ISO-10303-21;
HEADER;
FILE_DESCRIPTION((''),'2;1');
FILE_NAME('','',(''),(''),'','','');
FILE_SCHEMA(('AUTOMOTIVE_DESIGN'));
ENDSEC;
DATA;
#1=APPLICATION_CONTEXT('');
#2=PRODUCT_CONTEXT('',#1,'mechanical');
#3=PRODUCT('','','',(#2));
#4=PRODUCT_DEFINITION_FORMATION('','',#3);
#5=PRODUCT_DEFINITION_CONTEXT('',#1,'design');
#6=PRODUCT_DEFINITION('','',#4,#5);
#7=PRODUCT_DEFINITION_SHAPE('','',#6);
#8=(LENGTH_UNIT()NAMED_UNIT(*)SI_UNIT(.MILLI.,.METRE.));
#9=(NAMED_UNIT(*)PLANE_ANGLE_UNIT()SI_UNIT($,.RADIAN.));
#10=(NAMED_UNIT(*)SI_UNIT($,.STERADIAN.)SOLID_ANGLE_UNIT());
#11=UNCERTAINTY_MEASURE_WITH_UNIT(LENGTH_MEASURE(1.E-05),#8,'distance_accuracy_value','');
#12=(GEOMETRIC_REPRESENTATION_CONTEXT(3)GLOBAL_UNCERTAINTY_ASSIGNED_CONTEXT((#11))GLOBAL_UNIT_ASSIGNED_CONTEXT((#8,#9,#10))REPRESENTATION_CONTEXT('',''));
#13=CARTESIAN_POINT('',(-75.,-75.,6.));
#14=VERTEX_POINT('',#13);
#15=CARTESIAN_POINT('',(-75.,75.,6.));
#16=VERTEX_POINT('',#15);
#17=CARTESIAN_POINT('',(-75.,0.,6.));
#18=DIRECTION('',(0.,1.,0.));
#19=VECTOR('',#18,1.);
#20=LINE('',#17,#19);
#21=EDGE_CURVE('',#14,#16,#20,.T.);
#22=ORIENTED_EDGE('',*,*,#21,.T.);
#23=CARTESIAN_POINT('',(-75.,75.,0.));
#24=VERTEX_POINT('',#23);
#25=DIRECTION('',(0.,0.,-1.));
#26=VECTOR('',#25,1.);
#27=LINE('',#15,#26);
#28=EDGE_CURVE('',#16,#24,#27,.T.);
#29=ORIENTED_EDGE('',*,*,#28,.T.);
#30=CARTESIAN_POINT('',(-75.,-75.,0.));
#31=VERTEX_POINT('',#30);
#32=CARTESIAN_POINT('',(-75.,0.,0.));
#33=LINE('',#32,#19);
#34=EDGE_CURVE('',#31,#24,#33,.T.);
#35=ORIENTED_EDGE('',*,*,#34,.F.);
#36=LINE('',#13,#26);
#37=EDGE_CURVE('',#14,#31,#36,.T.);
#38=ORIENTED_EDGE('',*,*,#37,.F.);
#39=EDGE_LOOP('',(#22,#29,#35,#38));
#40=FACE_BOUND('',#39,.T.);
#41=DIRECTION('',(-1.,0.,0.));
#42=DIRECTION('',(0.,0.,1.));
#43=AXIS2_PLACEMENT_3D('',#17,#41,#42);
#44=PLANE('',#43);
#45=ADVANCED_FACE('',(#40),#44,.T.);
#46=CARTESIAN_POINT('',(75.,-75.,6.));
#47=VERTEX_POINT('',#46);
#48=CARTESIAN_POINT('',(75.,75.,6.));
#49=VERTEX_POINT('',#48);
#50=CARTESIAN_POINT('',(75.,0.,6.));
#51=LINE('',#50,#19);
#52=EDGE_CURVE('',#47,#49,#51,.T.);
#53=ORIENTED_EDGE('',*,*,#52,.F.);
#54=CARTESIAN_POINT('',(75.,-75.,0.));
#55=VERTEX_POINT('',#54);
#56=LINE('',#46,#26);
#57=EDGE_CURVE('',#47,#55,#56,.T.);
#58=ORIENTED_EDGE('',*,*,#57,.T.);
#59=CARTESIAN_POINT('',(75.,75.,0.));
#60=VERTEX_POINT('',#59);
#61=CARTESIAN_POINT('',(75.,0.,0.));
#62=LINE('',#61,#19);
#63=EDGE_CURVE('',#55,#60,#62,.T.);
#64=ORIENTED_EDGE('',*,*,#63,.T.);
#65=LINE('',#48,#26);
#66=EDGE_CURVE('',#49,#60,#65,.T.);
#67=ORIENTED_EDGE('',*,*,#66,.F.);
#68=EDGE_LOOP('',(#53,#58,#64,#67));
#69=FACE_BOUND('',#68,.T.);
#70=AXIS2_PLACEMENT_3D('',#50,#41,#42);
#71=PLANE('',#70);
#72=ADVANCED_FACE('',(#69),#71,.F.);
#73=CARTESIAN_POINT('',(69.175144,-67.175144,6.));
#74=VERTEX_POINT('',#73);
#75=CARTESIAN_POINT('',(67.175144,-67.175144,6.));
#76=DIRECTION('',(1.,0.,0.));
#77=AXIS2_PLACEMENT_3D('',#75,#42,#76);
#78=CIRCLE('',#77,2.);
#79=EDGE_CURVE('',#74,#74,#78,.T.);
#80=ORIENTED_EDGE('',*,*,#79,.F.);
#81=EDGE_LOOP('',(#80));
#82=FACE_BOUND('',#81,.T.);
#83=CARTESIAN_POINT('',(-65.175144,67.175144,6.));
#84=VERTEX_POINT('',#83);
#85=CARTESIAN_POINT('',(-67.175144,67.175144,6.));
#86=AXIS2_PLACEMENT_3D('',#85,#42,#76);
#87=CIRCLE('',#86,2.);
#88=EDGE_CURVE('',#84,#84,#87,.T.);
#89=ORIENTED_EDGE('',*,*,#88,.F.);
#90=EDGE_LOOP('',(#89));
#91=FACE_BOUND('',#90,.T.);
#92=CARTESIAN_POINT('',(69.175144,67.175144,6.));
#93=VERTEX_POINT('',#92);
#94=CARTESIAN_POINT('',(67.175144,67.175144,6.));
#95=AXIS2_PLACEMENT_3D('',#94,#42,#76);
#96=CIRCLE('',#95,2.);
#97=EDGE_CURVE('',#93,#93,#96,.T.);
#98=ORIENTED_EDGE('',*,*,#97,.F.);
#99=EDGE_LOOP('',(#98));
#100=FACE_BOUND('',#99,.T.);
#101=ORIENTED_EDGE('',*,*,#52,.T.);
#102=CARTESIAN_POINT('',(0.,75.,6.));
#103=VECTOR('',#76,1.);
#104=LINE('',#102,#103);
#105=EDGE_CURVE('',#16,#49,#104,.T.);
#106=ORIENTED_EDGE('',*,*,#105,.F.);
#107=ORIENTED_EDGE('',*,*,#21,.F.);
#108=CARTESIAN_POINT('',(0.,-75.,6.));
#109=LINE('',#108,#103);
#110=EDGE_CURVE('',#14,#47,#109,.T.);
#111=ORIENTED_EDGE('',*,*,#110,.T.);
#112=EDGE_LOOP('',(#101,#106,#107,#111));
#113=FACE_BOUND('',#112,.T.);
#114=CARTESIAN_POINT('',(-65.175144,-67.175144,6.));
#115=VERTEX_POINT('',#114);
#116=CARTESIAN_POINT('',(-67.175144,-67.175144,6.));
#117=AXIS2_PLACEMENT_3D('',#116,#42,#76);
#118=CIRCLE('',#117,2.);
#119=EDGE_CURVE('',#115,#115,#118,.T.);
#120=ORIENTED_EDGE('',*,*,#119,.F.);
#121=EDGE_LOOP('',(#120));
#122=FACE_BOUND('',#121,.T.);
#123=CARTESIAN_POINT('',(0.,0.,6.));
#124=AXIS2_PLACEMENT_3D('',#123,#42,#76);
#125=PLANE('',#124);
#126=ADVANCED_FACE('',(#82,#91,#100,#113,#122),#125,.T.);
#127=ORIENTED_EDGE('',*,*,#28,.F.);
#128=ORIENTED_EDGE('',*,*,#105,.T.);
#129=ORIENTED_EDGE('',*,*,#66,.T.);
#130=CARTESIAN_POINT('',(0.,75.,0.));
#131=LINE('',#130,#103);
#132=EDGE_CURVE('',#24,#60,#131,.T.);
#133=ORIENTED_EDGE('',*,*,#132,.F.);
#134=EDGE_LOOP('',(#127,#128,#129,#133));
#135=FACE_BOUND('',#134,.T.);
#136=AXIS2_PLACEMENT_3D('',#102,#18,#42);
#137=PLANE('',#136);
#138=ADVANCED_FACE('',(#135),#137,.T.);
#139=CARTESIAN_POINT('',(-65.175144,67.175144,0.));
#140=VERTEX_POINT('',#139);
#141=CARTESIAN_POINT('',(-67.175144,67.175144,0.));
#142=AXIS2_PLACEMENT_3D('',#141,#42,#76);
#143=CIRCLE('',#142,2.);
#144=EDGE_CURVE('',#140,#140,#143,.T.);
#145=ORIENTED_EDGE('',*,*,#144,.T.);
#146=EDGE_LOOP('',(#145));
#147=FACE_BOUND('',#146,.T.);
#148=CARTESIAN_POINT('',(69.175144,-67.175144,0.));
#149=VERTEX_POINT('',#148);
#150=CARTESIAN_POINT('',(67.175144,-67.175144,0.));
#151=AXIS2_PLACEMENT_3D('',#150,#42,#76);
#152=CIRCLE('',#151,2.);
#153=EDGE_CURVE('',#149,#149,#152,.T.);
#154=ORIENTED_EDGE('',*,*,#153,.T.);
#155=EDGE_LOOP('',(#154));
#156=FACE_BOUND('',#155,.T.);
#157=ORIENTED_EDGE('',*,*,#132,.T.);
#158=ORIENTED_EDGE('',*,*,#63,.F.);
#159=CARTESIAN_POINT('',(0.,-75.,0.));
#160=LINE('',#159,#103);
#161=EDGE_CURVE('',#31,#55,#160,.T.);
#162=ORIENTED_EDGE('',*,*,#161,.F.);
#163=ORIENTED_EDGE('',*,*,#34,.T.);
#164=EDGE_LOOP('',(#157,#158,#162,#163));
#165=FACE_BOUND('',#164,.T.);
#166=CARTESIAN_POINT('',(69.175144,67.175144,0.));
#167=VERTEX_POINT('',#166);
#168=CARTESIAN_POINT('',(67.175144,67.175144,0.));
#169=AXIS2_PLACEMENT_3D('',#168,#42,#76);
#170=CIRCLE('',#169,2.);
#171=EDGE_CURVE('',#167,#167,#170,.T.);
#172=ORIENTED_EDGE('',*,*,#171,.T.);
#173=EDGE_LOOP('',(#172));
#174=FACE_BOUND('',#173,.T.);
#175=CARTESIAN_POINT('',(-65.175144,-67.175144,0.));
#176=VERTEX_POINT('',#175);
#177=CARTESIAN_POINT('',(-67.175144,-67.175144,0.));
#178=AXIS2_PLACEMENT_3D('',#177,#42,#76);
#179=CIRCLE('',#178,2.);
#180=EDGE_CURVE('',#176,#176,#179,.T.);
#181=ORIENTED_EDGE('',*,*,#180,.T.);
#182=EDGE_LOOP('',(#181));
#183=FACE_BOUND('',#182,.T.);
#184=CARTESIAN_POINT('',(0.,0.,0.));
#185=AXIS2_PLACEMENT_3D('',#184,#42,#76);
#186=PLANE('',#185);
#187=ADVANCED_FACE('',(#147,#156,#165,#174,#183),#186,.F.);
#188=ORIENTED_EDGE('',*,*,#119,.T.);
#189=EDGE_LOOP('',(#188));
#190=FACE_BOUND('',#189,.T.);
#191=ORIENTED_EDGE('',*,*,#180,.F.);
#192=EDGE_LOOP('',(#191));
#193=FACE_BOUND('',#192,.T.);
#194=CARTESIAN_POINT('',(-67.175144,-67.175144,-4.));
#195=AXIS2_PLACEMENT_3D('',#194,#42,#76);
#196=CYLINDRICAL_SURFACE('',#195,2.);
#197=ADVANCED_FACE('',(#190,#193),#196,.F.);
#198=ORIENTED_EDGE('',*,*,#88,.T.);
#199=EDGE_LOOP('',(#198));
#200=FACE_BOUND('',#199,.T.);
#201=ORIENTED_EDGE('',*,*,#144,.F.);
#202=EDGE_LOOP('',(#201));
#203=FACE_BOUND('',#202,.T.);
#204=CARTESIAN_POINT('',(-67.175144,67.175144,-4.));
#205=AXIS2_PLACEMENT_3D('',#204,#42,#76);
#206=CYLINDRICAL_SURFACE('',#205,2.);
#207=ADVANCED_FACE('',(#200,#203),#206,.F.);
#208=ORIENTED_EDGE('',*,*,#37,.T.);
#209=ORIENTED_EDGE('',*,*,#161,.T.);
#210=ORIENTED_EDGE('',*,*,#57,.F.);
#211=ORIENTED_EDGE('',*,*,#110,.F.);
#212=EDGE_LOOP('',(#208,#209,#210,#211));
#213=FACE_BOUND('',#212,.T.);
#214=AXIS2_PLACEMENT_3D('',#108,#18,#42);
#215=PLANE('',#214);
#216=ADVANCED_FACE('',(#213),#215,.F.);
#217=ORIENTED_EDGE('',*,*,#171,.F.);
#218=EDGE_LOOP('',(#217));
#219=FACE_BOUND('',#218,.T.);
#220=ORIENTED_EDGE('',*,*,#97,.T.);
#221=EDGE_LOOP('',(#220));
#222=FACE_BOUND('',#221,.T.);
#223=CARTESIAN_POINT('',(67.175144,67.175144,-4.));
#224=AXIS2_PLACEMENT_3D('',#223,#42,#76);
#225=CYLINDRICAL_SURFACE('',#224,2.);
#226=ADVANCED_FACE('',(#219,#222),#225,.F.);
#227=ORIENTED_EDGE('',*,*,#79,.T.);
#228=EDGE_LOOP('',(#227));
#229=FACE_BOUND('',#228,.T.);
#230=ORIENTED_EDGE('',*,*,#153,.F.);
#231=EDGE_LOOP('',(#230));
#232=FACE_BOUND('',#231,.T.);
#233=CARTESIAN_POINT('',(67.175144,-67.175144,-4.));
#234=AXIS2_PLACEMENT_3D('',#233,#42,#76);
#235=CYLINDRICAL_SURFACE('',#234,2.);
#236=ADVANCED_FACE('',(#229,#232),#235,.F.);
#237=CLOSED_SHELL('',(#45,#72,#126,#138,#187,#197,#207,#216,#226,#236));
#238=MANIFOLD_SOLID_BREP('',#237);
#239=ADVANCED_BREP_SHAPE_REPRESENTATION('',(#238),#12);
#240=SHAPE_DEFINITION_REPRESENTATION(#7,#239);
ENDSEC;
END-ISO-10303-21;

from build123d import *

# Parameters (mm, degrees)
SKETCH1_W           = 150
SKETCH1_H           = 150
BOSS_EXTRUDE1_DEPTH = 6
SKETCH2_R           = 2
CUT_EXTRUDE1_DEPTH  = 10


with BuildPart() as part:
    # Sketch1 → Boss-Extrude1 (new body)
    with BuildSketch(Plane.XY):
        Rectangle(SKETCH1_W, SKETCH1_H)
    extrude(amount=BOSS_EXTRUDE1_DEPTH)

    # Sketch2 → Cut-Extrude1 (cut)
    with BuildSketch(Plane.XY.offset(6)):
        with Locations((67.175144213, 67.175144213)):
            Circle(SKETCH2_R)
        with Locations((67.175144213, -67.175144213)):
            Circle(SKETCH2_R)
        with Locations((-67.175144213, -67.175144213)):
            Circle(SKETCH2_R)
        with Locations((-67.175144213, 67.175144213)):
            Circle(SKETCH2_R)
    extrude(amount=-CUT_EXTRUDE1_DEPTH, mode=Mode.SUBTRACT)


solid = part.part
